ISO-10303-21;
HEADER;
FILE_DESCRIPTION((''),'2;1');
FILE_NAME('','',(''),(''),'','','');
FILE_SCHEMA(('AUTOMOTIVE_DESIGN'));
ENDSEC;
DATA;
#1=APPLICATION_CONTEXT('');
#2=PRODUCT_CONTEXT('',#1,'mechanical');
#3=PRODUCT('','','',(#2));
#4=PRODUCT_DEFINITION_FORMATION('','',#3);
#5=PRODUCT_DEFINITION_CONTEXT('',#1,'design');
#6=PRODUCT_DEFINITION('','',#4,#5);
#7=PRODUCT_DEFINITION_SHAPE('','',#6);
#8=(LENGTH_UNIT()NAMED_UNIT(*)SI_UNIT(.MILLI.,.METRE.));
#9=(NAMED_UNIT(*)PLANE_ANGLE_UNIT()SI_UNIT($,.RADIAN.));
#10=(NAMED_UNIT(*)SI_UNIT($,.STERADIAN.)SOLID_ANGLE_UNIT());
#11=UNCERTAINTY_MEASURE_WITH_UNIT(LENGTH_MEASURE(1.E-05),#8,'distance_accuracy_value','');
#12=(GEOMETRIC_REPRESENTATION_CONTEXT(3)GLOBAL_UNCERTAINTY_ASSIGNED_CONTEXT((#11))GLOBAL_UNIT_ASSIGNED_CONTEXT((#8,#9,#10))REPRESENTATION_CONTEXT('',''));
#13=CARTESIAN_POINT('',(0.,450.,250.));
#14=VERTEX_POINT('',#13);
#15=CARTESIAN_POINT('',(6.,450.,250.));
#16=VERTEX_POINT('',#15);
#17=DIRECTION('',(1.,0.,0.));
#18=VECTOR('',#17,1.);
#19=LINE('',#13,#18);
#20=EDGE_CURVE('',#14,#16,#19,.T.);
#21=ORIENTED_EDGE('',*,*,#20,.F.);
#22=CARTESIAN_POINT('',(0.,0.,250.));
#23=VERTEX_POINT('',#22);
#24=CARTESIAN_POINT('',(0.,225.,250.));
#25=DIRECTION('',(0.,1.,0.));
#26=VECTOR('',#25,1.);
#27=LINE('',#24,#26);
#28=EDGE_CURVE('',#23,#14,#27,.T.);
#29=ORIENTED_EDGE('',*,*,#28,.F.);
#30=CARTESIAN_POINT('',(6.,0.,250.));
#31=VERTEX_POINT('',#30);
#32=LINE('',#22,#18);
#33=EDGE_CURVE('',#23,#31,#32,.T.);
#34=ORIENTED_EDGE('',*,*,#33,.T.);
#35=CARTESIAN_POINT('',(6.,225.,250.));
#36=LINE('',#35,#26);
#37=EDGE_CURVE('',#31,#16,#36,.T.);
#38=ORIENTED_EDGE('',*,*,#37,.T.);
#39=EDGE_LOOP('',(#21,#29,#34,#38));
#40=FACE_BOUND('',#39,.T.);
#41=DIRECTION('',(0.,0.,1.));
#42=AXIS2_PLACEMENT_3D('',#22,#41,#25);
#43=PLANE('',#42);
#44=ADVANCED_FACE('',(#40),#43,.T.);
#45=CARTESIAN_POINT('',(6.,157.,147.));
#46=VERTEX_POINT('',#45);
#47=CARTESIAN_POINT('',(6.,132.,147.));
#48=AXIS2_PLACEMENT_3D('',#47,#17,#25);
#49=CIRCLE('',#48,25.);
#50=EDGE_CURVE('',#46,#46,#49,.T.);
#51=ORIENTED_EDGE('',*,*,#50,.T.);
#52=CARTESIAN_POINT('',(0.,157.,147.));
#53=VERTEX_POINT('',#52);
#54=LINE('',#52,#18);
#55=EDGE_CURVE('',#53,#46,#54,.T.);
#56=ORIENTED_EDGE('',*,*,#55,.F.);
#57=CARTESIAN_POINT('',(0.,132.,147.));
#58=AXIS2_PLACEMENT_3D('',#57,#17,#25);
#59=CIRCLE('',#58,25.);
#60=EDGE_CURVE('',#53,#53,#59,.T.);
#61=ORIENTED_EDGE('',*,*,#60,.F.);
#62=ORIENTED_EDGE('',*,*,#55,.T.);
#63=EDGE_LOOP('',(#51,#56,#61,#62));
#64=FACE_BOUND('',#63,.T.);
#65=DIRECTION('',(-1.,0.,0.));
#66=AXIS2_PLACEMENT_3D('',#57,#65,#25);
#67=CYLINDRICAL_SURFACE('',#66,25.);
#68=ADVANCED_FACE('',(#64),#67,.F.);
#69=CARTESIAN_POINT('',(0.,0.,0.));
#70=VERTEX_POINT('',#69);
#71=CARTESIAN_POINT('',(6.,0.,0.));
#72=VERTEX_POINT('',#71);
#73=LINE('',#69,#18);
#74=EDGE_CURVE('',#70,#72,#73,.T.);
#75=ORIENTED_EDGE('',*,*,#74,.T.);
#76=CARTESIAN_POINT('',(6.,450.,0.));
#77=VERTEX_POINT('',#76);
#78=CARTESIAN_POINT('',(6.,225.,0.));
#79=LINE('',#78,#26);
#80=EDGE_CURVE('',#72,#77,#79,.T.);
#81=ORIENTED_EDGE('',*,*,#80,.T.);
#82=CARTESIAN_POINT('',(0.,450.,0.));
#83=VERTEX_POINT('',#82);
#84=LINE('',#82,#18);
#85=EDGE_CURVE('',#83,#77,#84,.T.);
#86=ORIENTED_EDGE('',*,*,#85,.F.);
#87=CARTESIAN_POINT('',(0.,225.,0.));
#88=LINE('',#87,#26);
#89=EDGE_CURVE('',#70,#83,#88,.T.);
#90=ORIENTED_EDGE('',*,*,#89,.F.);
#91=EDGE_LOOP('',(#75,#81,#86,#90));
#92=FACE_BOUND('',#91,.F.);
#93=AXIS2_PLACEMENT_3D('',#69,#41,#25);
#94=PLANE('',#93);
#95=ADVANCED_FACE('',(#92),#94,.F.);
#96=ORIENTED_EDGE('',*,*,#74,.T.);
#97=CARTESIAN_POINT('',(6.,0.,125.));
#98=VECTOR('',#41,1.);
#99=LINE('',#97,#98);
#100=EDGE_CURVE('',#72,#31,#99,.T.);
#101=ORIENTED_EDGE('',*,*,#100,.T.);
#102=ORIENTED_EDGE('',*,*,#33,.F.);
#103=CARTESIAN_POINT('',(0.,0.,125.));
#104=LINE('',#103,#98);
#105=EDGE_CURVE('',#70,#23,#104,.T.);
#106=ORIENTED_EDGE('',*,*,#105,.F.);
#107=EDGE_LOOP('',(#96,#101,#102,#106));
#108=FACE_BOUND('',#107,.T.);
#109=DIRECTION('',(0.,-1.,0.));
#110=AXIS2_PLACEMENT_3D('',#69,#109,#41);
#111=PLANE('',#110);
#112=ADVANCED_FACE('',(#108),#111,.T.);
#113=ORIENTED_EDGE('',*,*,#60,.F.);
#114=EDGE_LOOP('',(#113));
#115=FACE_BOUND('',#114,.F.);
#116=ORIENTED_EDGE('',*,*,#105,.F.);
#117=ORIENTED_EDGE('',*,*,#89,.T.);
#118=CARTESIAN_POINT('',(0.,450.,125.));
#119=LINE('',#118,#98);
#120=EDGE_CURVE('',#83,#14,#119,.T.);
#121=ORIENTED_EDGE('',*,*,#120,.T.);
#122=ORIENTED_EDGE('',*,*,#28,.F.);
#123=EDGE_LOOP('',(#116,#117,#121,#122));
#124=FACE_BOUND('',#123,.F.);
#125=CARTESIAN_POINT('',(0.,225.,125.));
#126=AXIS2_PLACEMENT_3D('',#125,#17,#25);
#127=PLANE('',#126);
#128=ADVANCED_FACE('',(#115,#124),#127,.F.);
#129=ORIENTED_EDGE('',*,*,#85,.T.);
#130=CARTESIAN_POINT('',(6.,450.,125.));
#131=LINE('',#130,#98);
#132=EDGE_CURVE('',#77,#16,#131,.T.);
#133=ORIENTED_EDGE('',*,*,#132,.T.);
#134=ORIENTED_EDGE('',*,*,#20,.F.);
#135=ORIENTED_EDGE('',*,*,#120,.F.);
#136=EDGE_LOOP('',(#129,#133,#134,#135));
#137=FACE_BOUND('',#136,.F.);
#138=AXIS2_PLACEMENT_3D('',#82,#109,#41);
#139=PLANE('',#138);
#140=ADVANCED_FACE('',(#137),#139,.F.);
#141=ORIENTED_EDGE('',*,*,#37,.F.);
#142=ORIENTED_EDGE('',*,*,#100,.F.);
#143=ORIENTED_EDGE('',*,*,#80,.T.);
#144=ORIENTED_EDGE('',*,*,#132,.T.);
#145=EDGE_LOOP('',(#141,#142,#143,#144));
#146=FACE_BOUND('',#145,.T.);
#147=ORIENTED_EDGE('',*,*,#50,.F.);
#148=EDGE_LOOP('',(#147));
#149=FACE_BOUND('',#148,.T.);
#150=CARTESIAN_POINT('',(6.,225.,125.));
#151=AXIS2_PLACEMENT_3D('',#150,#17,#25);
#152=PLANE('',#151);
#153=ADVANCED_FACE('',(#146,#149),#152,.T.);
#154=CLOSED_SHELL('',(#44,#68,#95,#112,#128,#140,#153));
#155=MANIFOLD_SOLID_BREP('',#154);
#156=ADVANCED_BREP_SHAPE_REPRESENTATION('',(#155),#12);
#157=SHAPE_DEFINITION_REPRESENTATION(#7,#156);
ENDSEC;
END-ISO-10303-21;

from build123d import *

# Parameters (mm, degrees)
SKETCH_W  = 450
SKETCH_H  = 250
SKETCH_R  = 25
PAD_DEPTH = 6


with BuildPart() as part:
    # Sketch → Pad (new body)
    with BuildSketch(Plane.YZ):
        with Locations((225, 125)):
            Rectangle(SKETCH_W, SKETCH_H)
        with Locations((132, 147)):
            Circle(SKETCH_R, mode=Mode.SUBTRACT)
    extrude(amount=PAD_DEPTH)


solid = part.part
